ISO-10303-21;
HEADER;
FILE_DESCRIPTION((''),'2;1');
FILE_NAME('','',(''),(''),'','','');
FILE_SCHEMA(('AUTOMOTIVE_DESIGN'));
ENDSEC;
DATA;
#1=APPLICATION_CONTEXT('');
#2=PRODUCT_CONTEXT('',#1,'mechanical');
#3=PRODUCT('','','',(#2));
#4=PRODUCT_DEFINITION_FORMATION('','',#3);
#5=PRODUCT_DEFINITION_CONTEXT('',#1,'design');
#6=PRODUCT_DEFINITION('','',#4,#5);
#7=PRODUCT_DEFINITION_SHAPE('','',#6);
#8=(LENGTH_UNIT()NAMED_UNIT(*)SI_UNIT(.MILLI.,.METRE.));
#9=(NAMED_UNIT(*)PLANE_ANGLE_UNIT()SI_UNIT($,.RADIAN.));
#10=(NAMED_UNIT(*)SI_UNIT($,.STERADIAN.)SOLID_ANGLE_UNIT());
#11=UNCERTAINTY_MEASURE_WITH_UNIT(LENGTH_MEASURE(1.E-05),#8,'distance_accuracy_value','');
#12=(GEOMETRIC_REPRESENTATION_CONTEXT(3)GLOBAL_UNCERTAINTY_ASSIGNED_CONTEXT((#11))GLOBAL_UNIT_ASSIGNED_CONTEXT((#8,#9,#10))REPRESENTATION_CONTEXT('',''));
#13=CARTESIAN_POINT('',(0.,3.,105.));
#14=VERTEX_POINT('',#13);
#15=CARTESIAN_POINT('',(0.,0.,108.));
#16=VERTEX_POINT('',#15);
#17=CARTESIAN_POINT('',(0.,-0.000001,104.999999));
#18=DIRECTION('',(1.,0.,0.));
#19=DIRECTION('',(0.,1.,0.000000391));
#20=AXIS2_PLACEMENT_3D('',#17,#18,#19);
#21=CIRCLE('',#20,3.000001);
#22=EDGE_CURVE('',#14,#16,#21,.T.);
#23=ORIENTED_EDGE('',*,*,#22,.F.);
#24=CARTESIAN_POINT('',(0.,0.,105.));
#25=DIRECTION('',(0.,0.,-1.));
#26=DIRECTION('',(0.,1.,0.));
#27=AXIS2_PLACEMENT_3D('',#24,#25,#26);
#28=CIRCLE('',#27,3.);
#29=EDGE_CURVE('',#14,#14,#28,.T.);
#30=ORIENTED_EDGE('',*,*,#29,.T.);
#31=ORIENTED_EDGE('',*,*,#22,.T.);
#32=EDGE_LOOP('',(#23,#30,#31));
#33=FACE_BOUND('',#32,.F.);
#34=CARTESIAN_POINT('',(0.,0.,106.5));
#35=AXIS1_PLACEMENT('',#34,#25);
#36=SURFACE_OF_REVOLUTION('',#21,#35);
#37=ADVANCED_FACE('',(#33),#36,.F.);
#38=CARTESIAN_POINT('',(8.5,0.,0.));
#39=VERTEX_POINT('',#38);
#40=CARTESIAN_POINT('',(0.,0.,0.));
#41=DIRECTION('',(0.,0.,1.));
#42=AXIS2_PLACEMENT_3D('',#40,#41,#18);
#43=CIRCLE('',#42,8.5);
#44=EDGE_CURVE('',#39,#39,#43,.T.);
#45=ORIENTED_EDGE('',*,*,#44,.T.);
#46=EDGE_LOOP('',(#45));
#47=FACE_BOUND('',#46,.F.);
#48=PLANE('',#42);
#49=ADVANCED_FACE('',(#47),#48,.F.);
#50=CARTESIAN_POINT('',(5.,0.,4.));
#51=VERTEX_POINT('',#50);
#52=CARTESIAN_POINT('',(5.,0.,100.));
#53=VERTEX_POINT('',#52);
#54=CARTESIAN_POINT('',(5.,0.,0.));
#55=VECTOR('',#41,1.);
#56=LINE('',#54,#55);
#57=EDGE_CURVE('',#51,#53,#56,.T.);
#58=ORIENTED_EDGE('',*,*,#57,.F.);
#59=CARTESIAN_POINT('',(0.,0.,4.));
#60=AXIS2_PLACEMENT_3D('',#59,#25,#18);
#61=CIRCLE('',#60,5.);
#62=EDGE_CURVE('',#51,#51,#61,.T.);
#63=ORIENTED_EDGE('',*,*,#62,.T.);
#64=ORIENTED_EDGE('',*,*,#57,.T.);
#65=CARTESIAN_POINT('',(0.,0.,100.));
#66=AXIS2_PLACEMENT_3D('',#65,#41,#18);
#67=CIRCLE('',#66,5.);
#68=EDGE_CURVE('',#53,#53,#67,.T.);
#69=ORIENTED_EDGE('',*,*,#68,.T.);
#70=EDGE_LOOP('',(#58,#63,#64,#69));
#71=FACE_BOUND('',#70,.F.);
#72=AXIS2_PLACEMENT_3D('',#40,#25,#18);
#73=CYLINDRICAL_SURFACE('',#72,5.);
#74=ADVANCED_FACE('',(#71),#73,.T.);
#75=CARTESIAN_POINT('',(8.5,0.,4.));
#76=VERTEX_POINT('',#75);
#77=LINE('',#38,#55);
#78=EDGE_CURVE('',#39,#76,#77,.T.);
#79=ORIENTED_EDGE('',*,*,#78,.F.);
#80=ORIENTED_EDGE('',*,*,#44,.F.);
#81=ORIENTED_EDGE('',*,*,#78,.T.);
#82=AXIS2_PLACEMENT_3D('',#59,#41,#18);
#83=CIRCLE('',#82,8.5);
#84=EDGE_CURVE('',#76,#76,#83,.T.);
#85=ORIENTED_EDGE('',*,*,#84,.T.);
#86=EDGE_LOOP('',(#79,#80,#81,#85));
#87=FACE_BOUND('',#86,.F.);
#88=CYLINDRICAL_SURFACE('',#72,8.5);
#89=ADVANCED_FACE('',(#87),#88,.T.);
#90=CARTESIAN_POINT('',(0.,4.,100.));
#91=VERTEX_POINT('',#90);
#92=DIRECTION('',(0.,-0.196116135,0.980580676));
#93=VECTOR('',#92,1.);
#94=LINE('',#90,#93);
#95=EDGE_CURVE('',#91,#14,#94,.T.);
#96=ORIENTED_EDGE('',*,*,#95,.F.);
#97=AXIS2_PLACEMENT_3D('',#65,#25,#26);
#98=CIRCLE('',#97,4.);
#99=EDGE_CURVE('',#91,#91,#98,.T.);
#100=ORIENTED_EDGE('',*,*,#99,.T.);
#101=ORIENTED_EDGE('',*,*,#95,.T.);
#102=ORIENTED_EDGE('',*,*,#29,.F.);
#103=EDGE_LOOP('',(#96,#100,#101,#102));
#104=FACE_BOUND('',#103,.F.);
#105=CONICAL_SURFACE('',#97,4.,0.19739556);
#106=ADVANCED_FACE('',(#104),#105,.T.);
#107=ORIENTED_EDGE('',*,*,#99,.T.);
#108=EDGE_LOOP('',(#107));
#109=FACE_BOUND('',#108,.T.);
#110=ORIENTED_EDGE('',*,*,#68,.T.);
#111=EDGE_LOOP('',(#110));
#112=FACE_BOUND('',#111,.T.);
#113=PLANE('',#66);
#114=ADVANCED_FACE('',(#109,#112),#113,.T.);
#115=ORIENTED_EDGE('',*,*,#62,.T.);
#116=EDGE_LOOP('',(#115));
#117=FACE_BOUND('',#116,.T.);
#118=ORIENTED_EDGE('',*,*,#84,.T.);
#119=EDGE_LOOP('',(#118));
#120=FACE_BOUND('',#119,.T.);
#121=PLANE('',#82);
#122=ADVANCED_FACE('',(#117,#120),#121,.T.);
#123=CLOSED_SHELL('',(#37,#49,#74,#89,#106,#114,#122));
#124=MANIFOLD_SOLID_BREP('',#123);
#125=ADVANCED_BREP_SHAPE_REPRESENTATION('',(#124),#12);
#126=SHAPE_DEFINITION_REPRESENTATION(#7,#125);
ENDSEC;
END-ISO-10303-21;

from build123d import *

# Parameters (mm, degrees)
F0_R     = 8.5
F1_DEPTH = 4
F2_R     = 5
F3_DEPTH = 100


with BuildPart() as f1:
    # F0 (on Top) → F1 (new body)
    with BuildSketch(Plane.XY):
        Circle(F0_R)
    extrude(amount=F1_DEPTH)

    # F2 (on Top) → F3 (join)
    with BuildSketch(Plane.XY):
        Circle(F2_R)
    extrude(amount=F3_DEPTH)

    # F4 (on Right) → F5 (revolve)
    with BuildSketch(Plane.YZ):
        Polygon((3, 105), (0, 105), (0, 100), (4, 100), align=None)
    revolve(axis=Axis((0, 0, 102.5), (0, 0, -1)))

    # F6 (on Right) → F7 (revolve)
    with BuildSketch(Plane.YZ):
        with BuildLine():
            ThreePointArc((3, 105), (2.12132, 107.12132), (0, 108))
            Line((0, 108), (0, 105))
            Line((0, 105), (3, 105))
        make_face()
    revolve(axis=Axis((0, 0, 106.5), (0, 0, -1)))


solid = f1.part
